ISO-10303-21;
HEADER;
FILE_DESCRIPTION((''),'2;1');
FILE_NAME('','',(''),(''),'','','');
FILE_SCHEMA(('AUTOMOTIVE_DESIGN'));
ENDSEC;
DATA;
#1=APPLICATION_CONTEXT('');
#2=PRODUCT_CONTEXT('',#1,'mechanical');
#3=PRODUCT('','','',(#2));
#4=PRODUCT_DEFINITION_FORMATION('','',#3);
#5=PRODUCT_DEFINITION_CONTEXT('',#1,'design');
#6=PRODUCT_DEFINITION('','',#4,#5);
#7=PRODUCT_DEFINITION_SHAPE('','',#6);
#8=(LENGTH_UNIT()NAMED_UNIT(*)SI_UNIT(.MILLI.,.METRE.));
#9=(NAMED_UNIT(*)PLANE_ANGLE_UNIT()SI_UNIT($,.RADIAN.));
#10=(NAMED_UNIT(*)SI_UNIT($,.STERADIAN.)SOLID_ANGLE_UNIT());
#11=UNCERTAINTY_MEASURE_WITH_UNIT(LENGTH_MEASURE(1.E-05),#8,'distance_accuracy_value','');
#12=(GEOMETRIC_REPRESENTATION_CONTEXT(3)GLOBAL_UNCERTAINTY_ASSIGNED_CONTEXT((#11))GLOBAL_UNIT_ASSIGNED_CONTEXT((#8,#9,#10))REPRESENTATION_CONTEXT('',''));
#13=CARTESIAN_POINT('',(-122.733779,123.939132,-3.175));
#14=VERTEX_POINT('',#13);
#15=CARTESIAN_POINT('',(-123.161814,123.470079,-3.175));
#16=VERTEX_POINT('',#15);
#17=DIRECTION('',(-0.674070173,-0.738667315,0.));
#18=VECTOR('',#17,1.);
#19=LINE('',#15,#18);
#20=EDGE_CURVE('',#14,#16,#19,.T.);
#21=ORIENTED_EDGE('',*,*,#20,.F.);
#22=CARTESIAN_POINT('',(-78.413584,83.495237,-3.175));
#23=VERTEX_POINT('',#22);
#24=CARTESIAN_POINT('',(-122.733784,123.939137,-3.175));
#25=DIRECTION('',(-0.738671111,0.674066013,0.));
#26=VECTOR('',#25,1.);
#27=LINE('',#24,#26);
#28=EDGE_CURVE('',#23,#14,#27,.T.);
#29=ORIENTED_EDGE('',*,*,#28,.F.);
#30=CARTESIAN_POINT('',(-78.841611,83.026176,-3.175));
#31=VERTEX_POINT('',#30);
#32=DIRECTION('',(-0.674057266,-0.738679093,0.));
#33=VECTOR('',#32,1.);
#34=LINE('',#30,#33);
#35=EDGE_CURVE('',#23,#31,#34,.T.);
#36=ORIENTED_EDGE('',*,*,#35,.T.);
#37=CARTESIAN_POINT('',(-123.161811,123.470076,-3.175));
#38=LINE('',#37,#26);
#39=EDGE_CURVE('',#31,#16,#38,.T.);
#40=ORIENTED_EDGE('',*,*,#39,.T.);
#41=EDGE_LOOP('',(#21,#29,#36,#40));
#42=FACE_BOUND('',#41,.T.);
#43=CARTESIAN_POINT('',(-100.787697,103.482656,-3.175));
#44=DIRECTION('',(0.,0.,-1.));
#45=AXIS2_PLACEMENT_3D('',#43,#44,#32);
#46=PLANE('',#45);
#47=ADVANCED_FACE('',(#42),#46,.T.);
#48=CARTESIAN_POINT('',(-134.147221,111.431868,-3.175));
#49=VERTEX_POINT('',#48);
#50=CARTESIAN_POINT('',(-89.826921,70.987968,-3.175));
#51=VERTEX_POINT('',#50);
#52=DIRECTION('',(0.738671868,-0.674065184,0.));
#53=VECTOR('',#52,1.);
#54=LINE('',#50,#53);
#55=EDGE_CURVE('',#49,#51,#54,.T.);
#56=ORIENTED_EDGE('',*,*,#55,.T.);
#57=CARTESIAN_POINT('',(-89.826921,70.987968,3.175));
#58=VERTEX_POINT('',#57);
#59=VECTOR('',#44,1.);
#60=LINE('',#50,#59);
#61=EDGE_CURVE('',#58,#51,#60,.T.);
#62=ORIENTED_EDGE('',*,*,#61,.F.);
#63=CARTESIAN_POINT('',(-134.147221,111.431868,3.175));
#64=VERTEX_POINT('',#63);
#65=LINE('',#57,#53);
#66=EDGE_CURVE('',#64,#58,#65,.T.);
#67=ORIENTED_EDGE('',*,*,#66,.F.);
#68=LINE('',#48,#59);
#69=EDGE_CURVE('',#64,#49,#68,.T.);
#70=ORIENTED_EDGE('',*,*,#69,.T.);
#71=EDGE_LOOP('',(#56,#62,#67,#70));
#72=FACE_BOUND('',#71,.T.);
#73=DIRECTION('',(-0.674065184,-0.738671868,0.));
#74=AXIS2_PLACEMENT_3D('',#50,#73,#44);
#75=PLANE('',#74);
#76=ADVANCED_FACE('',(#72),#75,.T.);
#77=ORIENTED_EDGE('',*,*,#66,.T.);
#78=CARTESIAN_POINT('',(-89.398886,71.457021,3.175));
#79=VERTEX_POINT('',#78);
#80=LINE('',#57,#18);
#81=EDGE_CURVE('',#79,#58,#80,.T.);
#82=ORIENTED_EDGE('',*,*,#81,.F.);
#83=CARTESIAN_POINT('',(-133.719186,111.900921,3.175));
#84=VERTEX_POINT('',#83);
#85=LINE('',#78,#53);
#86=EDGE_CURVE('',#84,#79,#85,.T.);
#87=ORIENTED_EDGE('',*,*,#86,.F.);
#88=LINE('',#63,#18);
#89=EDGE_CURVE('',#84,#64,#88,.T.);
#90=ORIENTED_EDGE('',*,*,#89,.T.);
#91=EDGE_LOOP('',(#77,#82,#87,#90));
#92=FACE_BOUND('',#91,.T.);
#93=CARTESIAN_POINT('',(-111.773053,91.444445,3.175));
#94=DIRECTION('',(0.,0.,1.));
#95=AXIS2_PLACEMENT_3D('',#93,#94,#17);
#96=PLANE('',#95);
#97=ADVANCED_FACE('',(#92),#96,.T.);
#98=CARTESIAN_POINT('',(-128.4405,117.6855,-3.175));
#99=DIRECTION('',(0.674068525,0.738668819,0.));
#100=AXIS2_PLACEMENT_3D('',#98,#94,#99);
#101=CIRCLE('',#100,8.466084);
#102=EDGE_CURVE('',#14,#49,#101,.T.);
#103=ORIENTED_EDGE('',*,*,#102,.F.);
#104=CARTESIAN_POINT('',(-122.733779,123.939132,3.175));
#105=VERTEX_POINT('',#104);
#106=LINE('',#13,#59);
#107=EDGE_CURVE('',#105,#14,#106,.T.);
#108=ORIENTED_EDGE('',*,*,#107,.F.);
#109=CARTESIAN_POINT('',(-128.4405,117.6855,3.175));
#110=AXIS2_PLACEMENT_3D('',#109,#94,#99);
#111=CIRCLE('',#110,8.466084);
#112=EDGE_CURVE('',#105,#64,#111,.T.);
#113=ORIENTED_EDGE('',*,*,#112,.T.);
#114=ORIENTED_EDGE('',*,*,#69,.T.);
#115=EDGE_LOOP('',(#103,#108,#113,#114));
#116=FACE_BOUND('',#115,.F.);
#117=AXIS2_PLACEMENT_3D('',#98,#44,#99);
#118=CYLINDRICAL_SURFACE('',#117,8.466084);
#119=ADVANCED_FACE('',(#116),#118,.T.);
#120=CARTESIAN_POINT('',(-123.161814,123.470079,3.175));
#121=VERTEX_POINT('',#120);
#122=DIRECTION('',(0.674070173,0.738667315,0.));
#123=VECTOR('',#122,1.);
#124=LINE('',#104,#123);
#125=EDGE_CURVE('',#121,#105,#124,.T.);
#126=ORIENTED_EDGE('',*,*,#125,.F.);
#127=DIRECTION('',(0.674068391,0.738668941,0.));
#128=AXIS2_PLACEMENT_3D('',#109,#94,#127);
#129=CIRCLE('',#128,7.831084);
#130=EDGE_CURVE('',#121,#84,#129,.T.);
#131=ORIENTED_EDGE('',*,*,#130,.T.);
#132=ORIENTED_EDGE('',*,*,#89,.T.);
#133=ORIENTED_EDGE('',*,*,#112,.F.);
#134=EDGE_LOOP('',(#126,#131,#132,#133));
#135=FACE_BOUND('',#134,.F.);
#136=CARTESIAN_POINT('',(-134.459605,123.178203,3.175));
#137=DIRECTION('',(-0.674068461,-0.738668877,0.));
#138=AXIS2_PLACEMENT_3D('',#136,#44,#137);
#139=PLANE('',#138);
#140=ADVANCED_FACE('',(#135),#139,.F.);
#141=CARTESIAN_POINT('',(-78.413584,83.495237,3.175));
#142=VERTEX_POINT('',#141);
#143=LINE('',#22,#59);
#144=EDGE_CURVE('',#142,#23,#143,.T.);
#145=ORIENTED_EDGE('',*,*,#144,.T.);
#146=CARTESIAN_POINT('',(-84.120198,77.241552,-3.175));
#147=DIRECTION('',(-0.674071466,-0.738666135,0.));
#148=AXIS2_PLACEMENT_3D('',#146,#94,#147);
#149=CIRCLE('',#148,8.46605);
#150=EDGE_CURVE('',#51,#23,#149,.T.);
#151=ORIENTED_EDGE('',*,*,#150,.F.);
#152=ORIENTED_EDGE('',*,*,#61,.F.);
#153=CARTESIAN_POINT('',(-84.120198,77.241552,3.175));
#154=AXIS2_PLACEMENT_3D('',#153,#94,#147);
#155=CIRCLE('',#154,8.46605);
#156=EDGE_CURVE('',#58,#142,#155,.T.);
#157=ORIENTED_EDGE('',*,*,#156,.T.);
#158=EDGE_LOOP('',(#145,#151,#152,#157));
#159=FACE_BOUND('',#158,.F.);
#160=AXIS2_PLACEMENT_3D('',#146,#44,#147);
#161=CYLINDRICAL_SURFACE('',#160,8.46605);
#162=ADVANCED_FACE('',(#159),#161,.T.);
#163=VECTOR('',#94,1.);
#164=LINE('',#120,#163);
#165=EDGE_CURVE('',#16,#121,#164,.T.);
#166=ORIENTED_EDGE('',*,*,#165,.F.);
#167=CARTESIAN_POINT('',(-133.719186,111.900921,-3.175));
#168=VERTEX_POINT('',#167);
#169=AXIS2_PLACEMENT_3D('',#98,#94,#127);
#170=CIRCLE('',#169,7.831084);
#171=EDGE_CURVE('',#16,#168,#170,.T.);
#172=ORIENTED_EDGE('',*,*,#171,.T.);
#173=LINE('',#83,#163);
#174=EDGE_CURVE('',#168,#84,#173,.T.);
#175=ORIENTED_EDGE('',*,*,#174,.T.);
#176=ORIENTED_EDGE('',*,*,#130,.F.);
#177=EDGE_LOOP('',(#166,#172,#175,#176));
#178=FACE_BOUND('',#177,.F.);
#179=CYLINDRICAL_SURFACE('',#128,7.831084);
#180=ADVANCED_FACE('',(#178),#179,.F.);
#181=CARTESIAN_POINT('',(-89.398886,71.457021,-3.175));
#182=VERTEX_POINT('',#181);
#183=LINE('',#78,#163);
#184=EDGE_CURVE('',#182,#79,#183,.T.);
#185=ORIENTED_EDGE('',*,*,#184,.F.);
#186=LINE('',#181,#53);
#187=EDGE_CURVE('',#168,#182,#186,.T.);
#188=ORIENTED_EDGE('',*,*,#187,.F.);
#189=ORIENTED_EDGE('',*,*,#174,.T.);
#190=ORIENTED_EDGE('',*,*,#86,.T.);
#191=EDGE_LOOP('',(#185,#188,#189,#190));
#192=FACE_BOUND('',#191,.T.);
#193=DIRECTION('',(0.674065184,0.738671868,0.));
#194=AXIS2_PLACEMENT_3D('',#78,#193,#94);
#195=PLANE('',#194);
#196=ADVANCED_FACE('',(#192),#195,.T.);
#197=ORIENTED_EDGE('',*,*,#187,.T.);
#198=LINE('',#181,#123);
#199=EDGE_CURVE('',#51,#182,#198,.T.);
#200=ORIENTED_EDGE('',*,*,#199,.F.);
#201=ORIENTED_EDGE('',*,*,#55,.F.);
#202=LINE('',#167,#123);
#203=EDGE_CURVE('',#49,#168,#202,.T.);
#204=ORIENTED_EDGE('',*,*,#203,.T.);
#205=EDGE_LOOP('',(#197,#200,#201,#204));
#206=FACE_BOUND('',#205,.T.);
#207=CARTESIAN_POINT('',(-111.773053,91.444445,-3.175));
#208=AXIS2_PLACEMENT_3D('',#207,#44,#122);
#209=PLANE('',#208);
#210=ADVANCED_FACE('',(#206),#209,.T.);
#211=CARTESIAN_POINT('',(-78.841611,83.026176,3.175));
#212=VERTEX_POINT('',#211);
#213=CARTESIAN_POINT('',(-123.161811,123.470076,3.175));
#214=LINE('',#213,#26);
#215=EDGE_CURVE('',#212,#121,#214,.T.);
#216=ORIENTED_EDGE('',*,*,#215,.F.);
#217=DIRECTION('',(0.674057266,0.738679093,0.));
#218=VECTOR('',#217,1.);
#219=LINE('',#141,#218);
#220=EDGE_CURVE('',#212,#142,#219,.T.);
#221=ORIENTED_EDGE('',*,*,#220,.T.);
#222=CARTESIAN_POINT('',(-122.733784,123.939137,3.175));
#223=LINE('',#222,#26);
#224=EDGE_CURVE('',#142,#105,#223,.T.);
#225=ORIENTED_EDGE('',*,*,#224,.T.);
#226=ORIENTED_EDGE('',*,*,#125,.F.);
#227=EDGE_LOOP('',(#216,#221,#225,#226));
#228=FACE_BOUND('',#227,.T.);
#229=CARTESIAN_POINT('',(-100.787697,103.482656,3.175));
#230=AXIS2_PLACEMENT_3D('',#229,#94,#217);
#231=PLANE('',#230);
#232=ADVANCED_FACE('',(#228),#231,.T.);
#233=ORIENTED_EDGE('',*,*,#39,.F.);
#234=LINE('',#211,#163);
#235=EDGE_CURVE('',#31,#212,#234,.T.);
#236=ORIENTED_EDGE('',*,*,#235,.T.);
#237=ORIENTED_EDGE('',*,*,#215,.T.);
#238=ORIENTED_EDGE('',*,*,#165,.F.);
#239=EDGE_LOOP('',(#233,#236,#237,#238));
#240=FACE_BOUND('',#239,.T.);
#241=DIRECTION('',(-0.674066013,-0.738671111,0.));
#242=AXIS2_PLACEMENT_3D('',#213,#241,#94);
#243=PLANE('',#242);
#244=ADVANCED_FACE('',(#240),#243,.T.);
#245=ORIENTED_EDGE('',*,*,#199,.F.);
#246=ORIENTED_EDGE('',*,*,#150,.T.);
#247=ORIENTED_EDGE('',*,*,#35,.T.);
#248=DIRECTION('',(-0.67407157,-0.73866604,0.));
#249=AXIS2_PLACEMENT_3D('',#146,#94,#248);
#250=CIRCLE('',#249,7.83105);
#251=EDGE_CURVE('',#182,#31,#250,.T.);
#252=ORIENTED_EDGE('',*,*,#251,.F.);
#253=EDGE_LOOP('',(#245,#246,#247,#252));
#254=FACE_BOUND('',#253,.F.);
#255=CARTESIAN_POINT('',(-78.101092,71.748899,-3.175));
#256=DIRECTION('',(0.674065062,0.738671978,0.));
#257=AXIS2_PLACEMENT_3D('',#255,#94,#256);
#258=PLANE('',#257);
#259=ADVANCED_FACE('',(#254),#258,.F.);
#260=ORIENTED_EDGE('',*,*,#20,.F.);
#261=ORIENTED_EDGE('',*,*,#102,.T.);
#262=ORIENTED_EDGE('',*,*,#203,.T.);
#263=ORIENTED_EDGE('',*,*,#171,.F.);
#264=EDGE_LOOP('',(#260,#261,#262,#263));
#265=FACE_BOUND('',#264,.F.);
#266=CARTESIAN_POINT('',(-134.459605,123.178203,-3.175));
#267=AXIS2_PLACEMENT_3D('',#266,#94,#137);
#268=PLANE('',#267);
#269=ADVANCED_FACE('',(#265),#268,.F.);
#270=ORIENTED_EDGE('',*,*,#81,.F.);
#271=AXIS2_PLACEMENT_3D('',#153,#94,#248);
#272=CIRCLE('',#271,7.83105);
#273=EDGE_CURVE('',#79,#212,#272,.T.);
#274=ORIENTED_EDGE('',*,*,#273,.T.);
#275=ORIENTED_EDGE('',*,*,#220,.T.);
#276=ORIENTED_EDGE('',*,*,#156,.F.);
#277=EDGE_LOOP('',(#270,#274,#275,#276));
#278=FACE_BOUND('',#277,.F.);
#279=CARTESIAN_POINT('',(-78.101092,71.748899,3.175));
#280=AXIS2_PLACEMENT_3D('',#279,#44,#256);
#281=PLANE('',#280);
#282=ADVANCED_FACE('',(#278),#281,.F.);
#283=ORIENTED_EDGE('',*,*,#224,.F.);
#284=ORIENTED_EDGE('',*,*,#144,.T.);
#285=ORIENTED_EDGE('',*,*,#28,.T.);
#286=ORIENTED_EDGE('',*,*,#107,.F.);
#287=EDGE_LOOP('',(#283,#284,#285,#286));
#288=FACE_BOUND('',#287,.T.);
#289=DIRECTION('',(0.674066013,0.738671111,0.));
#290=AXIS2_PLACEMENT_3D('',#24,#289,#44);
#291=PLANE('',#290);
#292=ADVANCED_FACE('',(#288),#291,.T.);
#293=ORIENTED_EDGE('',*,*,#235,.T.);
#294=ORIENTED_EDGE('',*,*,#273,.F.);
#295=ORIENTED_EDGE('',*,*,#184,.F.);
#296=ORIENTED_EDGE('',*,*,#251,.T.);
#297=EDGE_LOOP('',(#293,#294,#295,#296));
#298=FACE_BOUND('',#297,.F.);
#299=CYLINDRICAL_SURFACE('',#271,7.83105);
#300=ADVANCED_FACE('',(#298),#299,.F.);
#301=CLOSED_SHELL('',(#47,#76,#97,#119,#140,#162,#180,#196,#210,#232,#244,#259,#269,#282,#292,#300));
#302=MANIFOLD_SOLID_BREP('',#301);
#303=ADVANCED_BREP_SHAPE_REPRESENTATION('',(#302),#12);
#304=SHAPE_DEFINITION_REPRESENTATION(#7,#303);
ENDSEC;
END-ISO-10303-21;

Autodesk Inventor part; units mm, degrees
sketch "Sketch Path" plane through (0, 0, 0) normal (0, 0, 1) x (1, 0, 0)
  arc A0 (-122.9906, 123.6577) -> (-133.8904, 111.7133) centre (-128.4405, 117.6855) ccw
  arc A1 (-89.5701, 71.2694) -> (-78.6704, 83.2138) centre (-84.1202, 77.2416) ccw
  line L0 (-89.5701, 71.2694) -> (-133.8904, 111.7133)
  line L1 (-122.9906, 123.6577) -> (-78.6704, 83.2138)
ref_plane "Cross Section Plane" through (-133.8904, 111.7133, 0) normal (0.7387, -0.6741, 0) x (0, 0, 1)
ref_plane "Work Plane2" through (-128.4405, 117.6855, 0) normal (-1, 0, 0) x (0, 0, 1)
ref_plane "Work Plane3" through (-84.1202, 77.2416, 0) normal (-0.6427, 0.7661, 0) x (0, 0, 1)
sketch "Cross Section" plane through (-133.8904, 111.7133, 0) normal (0.7387, -0.6741, 0) x (0, 0, 1)
  line L0 (-3.175, 0.381) -> (3.175, 0.381)
  line L1 (3.175, 0.381) -> (3.175, -0.254)
  line L2 (3.175, -0.254) -> (-3.175, -0.254)
  line L3 (-3.175, -0.254) -> (-3.175, 0.381)
  line L4 (-3.175, 0) -> (3.175, 0) construction
  point P0 (0, 0)
  point P1 (0, 0)
  dimension "d0" = 6.35
  dimension "d4" = 0.254
  dimension "d5" = 0.381
sweep "Belt" add profiles "Cross Section" path "Sketch Path"
equation "\"d0\" = da_B"
equation "\"d4\" = da_a"
equation "\"d5\" = da_a2"
equation "\"da_B\" = 6.35"
equation "\"da_pb\" = 2.032"
equation "\"da_L\" = 170.8"
equation "\"da_a\" = 0.254"
equation "\"da_S\" = 1.143"
equation "\"da_Beta\" = 20deg"
equation "\"da_Ht\" = 0.508"
equation "\"da_H\" = 1.143"
equation "\"da_a2\" = 0.381"
properties part number "Synchronous Belt" material "Rubber"
